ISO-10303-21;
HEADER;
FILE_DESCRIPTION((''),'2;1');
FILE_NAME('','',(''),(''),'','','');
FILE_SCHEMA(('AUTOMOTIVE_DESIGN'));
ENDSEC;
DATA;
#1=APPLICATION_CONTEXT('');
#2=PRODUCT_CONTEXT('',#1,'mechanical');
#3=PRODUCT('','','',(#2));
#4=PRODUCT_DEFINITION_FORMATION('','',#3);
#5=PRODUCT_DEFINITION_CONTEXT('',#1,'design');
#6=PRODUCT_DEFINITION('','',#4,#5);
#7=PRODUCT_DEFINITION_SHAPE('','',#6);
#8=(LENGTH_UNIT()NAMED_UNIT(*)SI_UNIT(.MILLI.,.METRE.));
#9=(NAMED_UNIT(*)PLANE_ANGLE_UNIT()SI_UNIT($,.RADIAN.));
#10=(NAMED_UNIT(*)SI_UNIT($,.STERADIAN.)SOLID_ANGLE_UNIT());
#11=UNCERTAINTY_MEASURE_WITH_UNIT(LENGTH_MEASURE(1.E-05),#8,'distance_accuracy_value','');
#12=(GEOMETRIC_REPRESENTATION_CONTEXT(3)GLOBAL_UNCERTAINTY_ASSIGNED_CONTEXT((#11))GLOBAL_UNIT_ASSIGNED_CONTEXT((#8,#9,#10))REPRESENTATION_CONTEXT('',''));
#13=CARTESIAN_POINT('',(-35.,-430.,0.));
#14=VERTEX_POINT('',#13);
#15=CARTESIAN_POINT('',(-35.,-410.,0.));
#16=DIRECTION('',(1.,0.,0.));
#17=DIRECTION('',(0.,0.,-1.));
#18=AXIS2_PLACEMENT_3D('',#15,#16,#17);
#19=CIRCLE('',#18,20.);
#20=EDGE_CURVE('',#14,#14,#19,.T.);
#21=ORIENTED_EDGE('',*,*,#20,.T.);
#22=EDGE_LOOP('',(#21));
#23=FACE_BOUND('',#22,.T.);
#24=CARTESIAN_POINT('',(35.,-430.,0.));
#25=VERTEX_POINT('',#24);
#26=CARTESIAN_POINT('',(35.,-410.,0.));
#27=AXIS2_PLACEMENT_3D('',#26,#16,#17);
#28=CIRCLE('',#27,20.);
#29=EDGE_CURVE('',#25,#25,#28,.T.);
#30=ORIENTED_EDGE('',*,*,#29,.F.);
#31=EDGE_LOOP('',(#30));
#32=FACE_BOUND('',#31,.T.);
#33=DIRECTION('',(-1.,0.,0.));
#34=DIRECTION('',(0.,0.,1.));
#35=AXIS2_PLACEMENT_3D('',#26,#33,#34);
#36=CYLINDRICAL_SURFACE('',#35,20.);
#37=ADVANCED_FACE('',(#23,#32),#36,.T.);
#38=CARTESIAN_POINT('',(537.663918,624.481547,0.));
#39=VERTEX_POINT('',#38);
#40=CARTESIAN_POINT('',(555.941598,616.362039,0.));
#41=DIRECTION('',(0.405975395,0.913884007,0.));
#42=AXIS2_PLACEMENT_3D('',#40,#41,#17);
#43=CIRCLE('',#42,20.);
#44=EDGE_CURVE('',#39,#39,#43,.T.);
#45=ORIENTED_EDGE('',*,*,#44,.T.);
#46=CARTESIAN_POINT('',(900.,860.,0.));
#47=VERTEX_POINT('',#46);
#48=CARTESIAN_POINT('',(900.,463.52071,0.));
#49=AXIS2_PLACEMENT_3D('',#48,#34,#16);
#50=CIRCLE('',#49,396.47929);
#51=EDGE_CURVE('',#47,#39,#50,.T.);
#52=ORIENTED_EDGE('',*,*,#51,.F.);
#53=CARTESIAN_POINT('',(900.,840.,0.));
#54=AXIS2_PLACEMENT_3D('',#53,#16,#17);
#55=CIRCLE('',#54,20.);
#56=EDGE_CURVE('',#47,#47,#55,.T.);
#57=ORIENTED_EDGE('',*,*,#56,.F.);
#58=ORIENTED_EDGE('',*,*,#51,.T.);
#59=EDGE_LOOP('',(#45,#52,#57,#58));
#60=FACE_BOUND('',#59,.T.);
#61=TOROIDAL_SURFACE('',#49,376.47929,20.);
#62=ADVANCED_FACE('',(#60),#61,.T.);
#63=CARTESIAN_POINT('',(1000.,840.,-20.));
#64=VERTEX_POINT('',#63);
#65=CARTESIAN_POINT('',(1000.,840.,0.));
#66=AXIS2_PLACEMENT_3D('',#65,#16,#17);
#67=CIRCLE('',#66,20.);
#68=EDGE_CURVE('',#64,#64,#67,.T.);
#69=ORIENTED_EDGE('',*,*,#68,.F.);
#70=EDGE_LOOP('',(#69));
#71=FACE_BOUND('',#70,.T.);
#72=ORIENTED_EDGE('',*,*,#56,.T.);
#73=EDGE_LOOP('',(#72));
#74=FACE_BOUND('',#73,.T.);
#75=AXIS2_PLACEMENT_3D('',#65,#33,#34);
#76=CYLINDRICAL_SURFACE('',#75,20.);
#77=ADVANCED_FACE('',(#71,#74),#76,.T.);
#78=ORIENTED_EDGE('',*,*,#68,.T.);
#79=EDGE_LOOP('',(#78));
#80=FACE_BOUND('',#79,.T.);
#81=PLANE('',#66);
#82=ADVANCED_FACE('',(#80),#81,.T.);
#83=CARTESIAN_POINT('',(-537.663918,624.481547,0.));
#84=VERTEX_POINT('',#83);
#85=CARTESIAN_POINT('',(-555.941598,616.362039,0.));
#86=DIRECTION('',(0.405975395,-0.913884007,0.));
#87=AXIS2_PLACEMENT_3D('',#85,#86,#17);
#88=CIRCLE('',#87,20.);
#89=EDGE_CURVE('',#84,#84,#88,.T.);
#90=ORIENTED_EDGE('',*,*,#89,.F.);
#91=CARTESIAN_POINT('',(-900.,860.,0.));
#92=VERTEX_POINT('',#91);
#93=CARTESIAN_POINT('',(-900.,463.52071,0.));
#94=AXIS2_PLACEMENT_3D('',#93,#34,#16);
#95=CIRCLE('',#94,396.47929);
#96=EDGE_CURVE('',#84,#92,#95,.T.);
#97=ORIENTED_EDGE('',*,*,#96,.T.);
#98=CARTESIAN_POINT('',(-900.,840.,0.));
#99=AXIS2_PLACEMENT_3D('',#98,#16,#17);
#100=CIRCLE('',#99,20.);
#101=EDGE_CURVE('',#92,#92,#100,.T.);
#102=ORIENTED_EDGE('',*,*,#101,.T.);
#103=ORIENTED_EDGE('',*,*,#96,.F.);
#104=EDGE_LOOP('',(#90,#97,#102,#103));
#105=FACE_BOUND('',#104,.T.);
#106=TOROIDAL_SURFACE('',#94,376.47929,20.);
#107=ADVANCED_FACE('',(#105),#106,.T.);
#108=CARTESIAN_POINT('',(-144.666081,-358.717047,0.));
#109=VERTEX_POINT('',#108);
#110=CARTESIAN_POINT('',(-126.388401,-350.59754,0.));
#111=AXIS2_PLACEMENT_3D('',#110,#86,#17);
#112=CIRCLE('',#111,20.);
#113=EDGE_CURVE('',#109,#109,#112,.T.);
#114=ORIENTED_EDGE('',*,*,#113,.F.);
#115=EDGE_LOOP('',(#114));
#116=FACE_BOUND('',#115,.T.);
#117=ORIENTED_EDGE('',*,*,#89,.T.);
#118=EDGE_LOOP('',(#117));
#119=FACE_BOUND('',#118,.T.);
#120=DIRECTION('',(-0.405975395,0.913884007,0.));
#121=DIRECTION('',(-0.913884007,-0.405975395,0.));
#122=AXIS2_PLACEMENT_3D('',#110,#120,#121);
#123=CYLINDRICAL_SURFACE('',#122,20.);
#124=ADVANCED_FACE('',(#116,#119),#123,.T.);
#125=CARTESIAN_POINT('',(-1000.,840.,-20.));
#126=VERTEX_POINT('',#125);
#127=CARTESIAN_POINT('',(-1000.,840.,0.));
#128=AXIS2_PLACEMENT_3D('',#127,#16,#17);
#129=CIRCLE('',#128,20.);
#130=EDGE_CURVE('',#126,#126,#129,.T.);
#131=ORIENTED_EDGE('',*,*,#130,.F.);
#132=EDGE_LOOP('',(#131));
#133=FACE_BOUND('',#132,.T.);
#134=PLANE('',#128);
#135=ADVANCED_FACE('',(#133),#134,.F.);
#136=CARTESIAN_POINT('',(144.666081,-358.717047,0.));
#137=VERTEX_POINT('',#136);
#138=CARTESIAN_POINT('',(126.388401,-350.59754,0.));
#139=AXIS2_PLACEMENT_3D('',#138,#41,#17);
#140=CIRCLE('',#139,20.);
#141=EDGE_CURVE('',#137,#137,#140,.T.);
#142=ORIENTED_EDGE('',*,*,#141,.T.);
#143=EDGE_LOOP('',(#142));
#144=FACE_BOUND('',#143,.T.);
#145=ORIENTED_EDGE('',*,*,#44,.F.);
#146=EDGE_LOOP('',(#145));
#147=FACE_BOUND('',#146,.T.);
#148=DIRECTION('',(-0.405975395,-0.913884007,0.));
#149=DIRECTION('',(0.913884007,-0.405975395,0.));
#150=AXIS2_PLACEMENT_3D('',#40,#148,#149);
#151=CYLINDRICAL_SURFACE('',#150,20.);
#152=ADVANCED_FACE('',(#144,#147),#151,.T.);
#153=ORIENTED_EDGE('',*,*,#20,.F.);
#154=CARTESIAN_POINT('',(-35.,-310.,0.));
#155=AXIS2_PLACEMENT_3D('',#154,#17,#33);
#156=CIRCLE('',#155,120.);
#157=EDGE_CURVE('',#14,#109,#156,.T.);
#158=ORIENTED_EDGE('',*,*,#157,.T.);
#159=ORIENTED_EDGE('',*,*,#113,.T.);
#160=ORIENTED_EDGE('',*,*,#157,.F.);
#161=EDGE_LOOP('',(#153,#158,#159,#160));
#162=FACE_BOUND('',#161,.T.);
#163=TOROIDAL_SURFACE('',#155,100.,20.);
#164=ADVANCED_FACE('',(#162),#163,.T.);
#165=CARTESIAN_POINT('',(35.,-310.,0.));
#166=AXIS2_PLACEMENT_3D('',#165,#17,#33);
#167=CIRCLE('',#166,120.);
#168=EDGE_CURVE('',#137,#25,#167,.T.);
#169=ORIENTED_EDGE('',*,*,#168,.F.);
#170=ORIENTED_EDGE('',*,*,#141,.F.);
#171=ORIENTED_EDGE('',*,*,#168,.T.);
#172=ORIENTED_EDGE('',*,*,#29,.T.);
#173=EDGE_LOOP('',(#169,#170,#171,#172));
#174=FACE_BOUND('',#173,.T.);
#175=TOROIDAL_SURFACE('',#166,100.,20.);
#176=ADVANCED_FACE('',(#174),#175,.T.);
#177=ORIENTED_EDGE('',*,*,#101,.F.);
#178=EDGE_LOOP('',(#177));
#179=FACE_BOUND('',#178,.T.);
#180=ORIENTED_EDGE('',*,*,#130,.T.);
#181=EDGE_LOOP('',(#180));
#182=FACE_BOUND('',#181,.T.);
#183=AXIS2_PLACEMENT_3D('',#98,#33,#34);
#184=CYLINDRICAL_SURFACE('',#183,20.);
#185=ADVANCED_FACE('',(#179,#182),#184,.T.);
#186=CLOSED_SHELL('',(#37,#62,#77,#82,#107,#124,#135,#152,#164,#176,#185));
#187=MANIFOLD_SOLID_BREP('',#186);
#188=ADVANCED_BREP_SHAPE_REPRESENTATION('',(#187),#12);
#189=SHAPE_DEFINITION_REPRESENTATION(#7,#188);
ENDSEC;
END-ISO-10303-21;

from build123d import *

# Parameters (mm, degrees)
SKETCH3_R = 20


with BuildPart() as part:
    # Sweep1: sweep along a path in Sketch1
    with BuildLine(Plane.XY) as sweep1_path:
        Line((1000, 840), (900, 840))
        ThreePointArc((900, 840), (694.823172742, 779.177367379), (555.941597945, 616.362038664))
        Line((555.941597945, 616.362038664), (126.388400703, -350.597539543))
        ThreePointArc((126.388400703, -350.597539543), (89.49883506, -393.84436163), (35, -410))
        Line((35, -410), (-35, -410))
        ThreePointArc((-35, -410), (-89.49883506, -393.84436163), (-126.388400703, -350.597539543))
        Line((-126.388400703, -350.597539543), (-555.941597945, 616.362038664))
        ThreePointArc((-555.941597945, 616.362038664), (-694.823172742, 779.177367379), (-900, 840))
        Line((-900, 840), (-1000, 840))
    # Sketch3 → Sweep1 (sweep)
    with BuildSketch(Plane(origin=(-1000, 0, 0), x_dir=(0, 0, -1), z_dir=(1, 0, 0))):
        with Locations((0, 840)):
            Circle(SKETCH3_R)
    sweep(path=sweep1_path.line)


solid = part.part
